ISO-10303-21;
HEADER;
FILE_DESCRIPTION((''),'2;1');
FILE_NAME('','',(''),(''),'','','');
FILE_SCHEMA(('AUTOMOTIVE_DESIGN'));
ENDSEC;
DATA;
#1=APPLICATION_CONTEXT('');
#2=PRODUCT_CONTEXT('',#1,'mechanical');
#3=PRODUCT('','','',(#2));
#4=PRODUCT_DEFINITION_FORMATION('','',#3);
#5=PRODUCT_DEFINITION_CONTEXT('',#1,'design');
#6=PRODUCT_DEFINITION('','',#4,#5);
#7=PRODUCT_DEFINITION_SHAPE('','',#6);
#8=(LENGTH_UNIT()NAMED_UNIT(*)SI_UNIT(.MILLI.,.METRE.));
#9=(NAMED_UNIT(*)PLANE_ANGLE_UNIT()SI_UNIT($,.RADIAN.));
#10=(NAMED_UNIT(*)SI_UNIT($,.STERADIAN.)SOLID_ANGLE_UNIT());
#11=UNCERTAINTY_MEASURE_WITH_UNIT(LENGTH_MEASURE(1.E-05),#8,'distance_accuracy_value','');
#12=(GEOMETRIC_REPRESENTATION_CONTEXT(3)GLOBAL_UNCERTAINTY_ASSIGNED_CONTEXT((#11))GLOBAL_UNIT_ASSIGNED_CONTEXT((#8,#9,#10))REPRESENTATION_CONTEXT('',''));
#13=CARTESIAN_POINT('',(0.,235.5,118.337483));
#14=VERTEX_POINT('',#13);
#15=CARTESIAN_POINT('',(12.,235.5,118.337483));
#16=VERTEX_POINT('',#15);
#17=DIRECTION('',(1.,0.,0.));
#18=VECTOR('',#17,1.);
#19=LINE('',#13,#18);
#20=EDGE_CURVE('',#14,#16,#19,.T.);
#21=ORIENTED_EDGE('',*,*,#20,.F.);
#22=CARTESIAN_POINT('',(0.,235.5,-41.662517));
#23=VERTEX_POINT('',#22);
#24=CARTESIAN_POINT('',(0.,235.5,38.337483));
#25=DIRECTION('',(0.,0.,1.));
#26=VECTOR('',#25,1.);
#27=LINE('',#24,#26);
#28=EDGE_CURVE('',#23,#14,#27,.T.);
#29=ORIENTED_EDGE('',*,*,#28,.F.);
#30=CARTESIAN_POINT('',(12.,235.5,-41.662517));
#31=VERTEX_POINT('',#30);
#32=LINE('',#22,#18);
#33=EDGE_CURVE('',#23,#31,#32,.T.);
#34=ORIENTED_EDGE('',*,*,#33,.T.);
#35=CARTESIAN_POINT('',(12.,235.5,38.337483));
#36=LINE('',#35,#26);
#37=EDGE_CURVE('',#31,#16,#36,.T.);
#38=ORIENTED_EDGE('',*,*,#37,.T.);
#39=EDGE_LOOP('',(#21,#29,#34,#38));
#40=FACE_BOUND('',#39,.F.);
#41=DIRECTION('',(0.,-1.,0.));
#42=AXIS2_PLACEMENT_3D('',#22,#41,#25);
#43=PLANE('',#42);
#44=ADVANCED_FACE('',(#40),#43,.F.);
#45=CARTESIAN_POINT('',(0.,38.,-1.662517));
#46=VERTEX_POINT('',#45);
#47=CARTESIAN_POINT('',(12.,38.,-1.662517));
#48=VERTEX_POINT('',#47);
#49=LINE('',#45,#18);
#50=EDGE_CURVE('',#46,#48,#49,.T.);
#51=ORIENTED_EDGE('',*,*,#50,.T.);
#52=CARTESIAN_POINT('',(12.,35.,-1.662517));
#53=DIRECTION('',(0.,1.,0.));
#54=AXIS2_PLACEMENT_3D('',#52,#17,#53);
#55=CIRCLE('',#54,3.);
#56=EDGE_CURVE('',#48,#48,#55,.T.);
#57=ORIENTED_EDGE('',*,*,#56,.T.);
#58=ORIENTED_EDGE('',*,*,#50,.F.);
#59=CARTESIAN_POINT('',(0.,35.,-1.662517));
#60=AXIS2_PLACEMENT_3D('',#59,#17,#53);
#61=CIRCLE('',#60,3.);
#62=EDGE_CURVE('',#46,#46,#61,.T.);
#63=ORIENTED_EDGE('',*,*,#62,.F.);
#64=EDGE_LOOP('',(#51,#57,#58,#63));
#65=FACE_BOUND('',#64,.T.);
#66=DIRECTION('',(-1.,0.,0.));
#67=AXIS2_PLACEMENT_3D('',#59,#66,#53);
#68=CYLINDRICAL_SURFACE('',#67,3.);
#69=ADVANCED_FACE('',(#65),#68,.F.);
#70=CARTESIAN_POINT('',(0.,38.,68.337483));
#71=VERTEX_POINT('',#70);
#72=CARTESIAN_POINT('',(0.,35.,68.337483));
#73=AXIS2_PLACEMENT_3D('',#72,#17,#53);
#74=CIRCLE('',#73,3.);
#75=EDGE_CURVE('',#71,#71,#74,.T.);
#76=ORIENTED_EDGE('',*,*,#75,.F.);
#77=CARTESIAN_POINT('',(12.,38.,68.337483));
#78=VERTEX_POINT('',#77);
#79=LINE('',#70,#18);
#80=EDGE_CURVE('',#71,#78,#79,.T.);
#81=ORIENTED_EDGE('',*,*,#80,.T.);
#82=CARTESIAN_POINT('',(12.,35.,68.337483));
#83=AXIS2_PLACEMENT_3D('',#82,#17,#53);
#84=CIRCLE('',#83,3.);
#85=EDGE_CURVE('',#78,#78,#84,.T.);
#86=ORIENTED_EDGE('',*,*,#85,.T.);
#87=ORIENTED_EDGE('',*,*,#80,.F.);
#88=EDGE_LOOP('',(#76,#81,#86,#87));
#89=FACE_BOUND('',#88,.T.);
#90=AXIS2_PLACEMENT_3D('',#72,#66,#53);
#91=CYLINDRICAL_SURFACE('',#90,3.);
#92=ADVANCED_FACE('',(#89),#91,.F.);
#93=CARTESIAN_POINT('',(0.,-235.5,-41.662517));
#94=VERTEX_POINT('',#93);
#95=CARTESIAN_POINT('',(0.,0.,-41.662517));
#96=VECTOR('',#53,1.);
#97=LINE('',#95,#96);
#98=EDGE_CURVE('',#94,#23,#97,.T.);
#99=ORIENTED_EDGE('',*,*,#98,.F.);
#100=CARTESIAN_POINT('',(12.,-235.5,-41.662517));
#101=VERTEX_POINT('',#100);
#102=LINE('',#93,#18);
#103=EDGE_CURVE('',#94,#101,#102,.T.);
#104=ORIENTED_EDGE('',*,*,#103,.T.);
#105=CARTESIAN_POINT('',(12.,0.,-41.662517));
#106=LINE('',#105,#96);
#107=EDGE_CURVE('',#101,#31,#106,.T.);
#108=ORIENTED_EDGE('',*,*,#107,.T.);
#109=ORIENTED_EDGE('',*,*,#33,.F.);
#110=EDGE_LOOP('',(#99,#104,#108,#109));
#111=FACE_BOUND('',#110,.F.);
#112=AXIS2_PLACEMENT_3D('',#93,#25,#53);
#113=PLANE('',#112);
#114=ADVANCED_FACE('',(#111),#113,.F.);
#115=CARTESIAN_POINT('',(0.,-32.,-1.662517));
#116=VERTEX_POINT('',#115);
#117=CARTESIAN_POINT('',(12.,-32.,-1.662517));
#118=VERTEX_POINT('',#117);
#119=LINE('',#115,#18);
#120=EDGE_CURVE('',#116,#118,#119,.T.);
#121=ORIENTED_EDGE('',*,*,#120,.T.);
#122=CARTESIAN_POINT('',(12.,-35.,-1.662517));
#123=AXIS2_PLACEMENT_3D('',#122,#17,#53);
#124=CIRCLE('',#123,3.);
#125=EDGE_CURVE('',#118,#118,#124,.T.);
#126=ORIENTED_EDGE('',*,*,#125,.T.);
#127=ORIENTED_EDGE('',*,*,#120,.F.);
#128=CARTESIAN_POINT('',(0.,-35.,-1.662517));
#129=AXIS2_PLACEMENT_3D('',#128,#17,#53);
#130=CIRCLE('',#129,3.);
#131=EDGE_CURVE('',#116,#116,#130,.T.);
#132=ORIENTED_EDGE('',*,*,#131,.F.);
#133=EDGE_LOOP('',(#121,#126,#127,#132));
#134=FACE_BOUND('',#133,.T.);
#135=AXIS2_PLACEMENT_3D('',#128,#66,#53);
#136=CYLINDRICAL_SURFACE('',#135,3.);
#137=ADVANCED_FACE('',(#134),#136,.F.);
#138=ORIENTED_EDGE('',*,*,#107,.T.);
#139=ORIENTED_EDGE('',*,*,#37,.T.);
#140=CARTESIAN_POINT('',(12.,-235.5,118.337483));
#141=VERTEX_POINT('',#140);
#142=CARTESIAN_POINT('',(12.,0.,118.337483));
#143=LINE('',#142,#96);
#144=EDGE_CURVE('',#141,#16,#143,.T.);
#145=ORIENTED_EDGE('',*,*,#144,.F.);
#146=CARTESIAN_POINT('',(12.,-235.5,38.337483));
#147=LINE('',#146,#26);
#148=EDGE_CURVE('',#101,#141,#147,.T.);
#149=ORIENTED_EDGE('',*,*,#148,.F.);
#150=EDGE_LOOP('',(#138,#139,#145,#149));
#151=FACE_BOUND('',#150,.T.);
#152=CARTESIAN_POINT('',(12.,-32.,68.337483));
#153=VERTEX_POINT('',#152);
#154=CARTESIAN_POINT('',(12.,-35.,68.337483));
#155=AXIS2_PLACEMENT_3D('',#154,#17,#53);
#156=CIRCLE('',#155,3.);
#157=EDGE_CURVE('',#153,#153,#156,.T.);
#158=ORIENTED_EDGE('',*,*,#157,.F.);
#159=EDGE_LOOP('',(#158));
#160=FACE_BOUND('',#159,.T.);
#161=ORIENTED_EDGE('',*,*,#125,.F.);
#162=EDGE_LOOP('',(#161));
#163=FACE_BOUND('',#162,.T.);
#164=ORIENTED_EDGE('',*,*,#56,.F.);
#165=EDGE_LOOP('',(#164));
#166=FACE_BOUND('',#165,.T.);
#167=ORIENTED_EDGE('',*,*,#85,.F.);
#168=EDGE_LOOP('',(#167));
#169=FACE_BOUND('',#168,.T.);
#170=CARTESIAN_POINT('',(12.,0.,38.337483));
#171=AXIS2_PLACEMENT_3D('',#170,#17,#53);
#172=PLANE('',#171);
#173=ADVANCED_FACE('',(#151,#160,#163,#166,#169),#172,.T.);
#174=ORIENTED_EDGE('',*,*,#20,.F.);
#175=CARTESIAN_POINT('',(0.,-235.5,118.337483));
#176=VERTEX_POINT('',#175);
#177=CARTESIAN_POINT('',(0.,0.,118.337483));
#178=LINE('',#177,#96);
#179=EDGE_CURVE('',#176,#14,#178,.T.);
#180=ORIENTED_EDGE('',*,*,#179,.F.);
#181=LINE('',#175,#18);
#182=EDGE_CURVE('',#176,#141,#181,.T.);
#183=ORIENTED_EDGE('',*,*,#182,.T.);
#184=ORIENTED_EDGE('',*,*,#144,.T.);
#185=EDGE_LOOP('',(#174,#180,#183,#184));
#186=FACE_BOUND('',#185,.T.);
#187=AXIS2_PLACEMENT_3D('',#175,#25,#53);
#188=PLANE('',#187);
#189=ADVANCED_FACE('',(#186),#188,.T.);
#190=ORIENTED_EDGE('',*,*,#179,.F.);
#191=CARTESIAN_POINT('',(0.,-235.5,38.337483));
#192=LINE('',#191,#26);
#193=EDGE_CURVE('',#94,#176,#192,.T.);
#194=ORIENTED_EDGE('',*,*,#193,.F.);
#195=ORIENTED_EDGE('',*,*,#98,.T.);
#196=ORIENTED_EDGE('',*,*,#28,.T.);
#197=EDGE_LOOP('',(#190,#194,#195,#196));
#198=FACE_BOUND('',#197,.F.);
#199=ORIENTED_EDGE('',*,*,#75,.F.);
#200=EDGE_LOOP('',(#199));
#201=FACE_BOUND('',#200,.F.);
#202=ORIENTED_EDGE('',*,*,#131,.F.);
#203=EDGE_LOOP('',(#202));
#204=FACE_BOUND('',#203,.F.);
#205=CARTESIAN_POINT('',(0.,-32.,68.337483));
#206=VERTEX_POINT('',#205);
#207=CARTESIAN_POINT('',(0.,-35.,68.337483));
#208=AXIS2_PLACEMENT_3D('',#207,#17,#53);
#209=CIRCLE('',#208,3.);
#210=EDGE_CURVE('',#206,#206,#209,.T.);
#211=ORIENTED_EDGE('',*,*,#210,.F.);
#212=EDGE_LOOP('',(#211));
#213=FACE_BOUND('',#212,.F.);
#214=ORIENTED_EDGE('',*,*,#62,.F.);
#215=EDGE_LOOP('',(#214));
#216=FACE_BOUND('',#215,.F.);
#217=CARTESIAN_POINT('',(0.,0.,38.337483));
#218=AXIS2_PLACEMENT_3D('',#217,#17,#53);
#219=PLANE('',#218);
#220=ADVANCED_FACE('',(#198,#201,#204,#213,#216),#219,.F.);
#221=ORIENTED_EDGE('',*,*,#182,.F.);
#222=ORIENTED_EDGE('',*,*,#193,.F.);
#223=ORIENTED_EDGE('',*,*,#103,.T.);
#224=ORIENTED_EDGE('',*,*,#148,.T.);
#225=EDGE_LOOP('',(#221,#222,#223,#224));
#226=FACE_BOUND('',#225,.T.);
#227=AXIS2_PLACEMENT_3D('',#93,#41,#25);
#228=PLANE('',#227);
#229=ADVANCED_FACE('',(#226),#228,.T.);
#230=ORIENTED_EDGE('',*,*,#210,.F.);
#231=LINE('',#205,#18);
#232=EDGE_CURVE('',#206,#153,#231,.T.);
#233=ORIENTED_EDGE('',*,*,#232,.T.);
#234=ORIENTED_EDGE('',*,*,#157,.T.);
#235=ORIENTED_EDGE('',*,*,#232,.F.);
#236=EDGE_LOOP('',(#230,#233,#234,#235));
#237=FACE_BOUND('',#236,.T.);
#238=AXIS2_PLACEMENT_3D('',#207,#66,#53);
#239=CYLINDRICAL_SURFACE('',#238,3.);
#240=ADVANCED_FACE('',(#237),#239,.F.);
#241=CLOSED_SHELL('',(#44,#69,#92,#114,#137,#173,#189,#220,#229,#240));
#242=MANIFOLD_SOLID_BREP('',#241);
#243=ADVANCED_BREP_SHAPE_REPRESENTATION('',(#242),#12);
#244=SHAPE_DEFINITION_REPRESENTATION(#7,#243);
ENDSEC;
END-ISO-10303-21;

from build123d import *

# Parameters (mm, degrees)
SKETCH_W  = 471
SKETCH_H  = 160
SKETCH_R  = 3
PAD_DEPTH = 12


with BuildPart() as part:
    # Sketch → Pad (new body)
    with BuildSketch(Plane.YZ):
        with Locations((0, 38.337483)):
            Rectangle(SKETCH_W, SKETCH_H)
        with Locations((35, 68.337483)):
            Circle(SKETCH_R, mode=Mode.SUBTRACT)
        with Locations((35, -1.662517)):
            Circle(SKETCH_R, mode=Mode.SUBTRACT)
        with Locations((-35, -1.662517)):
            Circle(SKETCH_R, mode=Mode.SUBTRACT)
        with Locations((-35, 68.337483)):
            Circle(SKETCH_R, mode=Mode.SUBTRACT)
    extrude(amount=PAD_DEPTH)


solid = part.part
